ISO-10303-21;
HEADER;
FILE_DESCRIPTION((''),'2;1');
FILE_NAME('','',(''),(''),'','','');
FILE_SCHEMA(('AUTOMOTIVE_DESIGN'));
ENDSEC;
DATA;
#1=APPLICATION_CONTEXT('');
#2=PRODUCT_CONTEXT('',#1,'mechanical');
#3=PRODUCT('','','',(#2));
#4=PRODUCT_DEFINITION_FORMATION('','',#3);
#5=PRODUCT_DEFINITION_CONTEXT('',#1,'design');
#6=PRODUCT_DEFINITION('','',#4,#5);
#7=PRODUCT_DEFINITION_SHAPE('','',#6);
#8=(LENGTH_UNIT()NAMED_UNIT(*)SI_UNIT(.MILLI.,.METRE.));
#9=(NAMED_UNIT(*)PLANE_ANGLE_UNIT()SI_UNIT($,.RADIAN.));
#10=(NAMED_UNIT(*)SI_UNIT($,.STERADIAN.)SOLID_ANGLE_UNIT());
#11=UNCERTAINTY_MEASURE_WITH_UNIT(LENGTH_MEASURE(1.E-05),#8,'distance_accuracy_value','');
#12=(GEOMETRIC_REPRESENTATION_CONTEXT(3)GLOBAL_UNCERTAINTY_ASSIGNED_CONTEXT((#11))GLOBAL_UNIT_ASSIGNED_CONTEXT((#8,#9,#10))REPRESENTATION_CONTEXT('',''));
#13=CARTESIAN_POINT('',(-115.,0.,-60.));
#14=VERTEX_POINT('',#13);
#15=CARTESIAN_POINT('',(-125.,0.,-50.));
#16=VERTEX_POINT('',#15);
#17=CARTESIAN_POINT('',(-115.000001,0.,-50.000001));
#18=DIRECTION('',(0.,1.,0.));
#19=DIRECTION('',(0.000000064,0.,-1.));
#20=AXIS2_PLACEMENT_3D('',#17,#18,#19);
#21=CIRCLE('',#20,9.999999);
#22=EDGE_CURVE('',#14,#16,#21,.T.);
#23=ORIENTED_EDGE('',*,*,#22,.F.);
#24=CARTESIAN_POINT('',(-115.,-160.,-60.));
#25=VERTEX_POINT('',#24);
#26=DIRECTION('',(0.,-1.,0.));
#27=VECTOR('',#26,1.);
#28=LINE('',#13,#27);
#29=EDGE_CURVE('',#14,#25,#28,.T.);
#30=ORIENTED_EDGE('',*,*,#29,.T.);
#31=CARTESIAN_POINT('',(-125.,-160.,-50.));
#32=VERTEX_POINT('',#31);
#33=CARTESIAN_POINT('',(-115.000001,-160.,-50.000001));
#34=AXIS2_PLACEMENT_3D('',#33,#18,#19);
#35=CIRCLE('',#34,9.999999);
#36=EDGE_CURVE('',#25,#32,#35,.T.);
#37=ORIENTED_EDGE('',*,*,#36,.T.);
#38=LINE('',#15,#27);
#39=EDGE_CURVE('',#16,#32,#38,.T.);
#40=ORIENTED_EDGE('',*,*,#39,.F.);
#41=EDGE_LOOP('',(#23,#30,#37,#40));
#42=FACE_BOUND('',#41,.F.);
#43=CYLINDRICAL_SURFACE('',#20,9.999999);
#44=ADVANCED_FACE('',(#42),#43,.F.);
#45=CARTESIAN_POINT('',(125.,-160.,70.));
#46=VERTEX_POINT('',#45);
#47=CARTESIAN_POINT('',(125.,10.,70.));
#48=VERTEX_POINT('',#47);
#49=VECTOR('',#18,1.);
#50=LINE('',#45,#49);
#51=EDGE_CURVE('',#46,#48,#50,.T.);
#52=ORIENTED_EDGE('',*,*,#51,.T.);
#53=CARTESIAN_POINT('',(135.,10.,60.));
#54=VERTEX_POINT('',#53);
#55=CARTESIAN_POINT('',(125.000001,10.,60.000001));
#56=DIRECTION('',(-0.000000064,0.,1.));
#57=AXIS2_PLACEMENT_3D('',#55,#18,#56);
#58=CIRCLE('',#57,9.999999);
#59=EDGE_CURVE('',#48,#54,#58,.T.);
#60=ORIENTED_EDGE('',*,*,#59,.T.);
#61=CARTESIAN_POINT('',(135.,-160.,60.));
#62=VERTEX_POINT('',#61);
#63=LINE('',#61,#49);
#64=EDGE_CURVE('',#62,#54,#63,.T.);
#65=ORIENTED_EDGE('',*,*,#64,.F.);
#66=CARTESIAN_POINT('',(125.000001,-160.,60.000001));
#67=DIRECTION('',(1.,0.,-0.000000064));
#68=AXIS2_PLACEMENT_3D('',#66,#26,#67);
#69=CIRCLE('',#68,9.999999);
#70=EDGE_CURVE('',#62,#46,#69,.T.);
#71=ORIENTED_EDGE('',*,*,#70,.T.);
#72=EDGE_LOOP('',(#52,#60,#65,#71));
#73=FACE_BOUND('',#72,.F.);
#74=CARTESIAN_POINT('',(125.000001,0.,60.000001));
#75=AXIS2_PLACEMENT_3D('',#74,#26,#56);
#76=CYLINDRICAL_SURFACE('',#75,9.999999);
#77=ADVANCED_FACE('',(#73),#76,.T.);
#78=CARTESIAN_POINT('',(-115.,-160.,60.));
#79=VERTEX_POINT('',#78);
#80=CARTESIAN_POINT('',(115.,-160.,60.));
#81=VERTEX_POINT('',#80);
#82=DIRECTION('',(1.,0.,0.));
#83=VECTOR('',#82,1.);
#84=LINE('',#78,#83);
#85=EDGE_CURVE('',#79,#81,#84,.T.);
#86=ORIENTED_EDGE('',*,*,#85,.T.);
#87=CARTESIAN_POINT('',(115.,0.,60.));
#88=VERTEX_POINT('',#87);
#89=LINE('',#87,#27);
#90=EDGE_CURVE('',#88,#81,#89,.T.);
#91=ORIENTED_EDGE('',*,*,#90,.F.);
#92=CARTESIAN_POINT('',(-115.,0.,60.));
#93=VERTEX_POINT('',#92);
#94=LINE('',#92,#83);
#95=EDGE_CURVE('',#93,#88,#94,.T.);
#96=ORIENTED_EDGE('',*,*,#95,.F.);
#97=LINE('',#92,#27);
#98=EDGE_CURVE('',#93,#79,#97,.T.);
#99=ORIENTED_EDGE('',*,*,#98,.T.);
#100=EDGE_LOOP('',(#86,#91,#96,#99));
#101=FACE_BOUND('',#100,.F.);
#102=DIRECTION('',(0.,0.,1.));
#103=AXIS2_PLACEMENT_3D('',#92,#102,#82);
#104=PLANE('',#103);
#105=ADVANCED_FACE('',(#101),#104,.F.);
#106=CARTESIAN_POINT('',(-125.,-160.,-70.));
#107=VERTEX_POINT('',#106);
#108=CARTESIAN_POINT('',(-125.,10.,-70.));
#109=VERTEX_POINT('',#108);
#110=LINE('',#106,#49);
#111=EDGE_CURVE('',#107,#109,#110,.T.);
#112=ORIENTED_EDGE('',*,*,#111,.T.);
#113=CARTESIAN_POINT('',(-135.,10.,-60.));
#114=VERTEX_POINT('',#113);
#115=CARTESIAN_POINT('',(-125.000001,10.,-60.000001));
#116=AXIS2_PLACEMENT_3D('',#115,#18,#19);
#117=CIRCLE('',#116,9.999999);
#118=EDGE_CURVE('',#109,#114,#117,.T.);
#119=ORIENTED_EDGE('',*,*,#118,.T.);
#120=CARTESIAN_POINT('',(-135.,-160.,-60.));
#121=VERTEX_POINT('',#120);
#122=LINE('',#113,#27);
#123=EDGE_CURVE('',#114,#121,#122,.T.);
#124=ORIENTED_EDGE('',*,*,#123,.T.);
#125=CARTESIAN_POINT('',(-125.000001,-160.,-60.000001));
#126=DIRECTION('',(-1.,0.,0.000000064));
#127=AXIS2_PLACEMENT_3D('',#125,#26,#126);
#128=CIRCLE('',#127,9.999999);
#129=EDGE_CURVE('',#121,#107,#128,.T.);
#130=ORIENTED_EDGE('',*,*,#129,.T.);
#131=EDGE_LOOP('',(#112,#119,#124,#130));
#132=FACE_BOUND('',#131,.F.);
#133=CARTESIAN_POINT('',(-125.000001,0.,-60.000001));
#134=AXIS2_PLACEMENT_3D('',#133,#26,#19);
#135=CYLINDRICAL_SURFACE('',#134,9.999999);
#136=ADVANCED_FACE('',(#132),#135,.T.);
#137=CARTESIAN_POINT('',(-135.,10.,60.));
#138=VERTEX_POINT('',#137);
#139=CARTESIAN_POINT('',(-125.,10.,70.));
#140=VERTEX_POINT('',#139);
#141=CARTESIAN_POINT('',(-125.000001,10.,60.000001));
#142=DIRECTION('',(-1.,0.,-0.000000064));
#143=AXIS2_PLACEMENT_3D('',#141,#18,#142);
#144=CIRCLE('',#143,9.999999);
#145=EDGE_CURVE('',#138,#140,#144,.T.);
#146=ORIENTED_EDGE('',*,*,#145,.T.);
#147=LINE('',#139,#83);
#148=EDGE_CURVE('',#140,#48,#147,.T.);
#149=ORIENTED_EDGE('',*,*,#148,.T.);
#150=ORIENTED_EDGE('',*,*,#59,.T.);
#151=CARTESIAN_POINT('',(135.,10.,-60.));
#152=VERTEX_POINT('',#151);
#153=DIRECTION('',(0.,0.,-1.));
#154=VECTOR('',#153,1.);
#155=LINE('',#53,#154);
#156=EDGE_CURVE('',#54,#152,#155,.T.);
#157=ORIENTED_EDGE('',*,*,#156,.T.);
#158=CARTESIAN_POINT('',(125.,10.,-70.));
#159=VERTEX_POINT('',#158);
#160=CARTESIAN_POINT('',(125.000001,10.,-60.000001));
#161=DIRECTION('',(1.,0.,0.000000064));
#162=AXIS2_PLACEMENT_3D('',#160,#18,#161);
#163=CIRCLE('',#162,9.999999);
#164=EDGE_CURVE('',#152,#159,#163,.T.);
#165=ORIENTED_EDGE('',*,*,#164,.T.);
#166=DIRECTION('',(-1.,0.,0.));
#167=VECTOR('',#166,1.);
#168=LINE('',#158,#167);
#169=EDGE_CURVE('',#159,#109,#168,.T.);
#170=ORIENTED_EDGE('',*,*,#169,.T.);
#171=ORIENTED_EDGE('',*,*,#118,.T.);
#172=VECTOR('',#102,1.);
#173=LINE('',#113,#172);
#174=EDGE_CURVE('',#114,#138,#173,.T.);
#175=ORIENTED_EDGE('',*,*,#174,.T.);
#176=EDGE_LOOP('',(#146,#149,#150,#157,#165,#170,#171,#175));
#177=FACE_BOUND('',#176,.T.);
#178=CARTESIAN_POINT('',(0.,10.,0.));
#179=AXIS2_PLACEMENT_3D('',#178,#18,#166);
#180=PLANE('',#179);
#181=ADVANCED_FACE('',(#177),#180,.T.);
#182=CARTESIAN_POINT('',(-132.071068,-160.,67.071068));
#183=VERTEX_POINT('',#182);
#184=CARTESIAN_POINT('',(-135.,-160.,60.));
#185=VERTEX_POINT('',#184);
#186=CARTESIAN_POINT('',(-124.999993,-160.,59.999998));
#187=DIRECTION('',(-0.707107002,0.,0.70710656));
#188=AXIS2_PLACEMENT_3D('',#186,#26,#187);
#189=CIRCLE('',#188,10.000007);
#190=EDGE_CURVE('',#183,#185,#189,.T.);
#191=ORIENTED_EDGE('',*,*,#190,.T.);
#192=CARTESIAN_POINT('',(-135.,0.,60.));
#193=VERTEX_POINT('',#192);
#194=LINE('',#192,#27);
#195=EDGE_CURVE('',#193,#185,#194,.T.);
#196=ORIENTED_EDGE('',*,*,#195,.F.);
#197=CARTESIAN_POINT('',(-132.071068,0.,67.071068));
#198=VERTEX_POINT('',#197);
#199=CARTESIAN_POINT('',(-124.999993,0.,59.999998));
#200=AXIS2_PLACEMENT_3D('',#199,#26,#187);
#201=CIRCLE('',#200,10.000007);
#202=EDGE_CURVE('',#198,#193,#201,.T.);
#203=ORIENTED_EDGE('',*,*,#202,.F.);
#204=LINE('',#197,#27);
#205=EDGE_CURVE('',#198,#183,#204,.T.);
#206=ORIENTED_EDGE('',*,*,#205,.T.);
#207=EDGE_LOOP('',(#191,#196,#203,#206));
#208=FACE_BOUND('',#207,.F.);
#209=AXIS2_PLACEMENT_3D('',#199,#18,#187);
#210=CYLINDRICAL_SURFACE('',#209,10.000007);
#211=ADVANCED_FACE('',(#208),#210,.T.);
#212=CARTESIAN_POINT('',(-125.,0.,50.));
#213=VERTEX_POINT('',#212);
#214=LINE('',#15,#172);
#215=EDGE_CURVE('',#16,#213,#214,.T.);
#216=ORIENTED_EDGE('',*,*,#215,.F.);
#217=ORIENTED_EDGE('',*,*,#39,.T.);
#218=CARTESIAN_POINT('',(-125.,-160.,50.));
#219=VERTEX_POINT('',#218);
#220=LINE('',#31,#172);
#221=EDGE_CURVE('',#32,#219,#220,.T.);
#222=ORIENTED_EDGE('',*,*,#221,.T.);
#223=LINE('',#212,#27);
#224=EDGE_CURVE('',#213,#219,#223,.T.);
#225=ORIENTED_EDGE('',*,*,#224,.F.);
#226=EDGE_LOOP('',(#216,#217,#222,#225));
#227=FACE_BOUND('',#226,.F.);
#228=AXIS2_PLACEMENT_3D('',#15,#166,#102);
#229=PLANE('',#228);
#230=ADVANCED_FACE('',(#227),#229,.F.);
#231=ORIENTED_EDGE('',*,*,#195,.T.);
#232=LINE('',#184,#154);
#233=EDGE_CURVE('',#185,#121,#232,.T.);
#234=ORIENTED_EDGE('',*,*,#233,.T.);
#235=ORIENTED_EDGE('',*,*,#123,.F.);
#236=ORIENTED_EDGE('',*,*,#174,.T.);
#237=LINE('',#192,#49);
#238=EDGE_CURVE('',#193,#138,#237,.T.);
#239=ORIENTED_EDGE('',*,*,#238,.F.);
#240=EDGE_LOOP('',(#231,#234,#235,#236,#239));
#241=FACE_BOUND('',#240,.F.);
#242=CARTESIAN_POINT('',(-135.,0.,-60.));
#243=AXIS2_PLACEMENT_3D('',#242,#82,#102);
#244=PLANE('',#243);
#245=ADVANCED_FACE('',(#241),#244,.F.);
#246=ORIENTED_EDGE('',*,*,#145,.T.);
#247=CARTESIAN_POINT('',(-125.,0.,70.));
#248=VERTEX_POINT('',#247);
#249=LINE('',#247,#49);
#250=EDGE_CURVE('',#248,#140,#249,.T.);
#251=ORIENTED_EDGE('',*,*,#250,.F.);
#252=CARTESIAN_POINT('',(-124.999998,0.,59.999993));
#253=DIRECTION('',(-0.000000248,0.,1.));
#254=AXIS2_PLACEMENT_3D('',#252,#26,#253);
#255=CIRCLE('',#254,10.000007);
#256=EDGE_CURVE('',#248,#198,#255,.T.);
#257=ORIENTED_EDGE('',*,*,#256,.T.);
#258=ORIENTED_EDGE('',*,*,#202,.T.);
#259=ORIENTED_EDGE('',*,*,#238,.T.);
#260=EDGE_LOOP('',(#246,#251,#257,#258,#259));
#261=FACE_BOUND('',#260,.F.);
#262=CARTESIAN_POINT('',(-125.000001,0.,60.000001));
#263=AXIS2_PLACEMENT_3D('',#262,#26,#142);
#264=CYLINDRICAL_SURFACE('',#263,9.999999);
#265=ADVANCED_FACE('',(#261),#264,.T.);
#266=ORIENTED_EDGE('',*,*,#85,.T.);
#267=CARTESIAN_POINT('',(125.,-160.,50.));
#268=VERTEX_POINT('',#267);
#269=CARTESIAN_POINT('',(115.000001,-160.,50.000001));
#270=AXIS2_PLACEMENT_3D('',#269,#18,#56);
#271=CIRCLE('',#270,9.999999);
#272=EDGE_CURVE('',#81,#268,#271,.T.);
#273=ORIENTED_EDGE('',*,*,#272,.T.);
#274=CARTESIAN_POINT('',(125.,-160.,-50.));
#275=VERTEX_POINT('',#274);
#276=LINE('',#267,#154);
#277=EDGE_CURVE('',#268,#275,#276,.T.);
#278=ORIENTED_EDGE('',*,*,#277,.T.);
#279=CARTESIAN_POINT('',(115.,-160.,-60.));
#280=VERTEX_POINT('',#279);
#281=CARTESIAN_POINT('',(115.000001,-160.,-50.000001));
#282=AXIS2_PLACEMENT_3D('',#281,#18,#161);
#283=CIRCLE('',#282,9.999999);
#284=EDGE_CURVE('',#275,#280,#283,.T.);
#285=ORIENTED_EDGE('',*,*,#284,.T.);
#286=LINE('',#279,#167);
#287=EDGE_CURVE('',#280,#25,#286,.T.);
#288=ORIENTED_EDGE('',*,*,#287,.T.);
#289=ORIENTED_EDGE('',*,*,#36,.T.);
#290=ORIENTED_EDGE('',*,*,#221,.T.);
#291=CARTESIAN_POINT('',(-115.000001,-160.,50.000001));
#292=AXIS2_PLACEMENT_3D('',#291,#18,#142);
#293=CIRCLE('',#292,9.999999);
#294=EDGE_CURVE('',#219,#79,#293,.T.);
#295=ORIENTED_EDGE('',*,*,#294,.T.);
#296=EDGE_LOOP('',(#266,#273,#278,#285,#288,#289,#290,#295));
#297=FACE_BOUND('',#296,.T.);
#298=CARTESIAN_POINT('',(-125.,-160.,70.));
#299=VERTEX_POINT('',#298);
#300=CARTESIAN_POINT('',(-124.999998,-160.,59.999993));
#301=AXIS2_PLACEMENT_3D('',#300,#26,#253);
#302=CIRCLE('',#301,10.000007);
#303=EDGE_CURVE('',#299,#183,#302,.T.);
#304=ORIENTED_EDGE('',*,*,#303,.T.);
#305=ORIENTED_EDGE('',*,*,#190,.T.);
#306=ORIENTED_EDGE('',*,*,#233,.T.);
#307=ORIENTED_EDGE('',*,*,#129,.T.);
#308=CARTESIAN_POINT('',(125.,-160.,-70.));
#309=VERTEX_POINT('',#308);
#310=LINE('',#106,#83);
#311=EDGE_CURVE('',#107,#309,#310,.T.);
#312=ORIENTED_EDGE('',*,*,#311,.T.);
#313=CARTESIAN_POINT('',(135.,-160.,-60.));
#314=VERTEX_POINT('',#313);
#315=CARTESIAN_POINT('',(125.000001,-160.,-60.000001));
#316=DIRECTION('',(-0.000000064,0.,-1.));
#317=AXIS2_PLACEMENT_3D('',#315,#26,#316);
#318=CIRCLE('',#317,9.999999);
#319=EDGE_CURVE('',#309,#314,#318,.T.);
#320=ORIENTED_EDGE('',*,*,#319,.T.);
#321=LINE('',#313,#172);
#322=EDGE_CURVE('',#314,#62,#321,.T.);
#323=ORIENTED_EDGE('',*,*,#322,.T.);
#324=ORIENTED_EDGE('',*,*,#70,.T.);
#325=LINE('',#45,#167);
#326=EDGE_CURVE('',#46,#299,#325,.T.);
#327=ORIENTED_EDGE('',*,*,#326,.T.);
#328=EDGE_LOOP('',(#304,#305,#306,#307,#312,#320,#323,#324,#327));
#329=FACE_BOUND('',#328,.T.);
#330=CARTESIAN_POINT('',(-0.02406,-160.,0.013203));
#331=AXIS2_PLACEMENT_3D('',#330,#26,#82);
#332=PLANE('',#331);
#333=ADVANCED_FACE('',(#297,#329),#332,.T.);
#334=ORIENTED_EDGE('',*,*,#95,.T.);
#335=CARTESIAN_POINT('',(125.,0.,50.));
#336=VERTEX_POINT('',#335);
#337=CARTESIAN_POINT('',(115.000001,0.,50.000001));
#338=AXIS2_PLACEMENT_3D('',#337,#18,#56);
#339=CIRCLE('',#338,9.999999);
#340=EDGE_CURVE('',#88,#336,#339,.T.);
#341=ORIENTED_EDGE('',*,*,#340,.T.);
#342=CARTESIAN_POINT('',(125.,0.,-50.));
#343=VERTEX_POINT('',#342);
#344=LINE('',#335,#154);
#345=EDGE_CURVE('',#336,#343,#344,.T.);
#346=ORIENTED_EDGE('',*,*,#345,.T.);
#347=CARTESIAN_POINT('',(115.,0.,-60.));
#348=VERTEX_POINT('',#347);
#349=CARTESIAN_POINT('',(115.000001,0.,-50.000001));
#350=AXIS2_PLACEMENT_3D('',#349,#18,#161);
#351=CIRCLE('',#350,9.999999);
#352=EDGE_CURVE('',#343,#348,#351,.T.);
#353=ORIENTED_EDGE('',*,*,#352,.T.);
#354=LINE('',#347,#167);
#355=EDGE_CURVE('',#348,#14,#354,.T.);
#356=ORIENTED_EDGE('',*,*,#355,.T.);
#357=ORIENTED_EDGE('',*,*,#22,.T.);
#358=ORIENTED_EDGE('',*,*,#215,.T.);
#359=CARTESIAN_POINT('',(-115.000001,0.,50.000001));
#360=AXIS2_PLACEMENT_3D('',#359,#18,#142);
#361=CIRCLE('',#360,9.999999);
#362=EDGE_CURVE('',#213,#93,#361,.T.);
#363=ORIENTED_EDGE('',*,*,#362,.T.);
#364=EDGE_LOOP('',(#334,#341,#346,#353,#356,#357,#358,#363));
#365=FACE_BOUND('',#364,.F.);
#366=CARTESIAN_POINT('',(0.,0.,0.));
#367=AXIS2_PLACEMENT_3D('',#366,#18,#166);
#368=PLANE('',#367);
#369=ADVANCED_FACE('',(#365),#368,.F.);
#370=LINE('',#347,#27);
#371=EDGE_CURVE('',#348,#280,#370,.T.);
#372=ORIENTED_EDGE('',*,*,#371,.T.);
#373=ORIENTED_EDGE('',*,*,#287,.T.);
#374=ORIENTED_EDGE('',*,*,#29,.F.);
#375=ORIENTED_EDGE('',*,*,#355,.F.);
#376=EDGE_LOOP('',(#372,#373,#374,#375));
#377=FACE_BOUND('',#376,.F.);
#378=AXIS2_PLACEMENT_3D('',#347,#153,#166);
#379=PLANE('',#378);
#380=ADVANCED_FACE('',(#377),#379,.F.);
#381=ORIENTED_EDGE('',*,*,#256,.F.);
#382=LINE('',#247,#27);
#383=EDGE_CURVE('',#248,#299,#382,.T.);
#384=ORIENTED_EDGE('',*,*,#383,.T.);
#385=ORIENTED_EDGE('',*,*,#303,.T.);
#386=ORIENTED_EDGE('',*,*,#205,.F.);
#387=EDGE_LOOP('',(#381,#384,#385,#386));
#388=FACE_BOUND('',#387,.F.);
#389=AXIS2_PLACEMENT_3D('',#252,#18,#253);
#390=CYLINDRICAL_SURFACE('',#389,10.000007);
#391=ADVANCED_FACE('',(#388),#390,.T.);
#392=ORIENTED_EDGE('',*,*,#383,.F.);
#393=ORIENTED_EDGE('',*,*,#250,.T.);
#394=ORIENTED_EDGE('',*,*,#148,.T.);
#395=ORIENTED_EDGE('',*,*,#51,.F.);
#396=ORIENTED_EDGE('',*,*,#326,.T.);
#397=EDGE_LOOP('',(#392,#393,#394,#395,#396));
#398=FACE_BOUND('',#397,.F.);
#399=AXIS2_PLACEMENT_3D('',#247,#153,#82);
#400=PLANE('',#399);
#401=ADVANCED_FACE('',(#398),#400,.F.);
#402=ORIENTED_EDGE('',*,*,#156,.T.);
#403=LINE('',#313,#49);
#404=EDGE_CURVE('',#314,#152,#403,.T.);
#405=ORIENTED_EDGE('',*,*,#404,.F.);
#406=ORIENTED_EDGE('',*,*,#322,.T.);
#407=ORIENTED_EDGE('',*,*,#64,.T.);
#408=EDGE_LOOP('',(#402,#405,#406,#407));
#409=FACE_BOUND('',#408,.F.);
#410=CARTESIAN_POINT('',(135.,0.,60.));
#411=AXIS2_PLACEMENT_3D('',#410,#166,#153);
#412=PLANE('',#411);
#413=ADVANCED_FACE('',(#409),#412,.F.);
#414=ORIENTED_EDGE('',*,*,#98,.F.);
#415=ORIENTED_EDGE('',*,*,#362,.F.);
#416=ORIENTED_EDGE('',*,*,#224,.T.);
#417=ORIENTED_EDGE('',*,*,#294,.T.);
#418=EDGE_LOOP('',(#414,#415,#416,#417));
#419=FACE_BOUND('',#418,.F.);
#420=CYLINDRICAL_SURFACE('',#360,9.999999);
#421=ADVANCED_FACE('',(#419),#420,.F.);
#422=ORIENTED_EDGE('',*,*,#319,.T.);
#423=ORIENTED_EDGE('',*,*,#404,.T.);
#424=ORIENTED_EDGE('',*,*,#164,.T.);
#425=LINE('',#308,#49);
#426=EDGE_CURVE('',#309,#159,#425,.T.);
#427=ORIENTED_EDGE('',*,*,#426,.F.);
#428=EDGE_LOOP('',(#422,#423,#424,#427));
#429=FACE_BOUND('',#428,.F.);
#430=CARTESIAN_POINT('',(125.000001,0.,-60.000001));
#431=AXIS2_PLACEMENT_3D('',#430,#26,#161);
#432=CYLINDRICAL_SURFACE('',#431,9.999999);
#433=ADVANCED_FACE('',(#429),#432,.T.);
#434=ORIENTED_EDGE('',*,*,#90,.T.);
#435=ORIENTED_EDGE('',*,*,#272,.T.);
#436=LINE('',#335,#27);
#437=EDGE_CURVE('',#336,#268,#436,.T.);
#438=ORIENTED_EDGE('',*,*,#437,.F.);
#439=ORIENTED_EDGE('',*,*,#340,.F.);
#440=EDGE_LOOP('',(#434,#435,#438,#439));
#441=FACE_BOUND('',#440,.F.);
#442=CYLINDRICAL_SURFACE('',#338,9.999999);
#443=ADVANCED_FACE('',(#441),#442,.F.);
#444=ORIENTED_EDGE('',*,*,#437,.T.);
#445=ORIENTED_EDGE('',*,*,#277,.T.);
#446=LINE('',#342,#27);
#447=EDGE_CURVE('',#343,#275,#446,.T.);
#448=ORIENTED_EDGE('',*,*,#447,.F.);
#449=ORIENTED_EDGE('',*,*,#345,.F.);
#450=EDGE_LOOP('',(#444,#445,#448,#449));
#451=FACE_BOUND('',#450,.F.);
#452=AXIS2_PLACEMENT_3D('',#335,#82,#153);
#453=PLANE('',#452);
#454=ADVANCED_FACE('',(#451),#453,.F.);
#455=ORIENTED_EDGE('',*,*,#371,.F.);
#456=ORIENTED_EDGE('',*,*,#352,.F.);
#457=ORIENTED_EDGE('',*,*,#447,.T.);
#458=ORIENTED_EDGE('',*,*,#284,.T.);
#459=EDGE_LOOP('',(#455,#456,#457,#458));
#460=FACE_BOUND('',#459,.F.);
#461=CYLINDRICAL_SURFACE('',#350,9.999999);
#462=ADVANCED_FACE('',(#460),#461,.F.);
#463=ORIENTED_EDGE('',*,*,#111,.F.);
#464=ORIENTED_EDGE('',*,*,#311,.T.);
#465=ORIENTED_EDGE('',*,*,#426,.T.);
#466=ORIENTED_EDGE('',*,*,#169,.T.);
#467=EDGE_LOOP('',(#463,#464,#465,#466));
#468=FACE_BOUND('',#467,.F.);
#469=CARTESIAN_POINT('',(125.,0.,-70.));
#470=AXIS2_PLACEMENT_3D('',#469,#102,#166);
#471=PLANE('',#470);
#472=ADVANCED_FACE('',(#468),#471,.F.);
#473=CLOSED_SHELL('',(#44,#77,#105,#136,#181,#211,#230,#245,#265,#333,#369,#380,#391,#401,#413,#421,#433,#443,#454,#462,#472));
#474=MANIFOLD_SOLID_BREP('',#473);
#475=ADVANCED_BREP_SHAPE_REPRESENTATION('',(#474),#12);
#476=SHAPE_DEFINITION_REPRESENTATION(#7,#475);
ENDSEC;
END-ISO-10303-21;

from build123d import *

# Parameters (mm, degrees)
F1_DEPTH = 160
F3_DEPTH = 10


with BuildPart() as f1:
    # F0 (on Front) → F1 (new body)
    with BuildSketch(Plane.XZ):
        with BuildLine():
            Line((125, 70), (-125, 70))
            ThreePointArc((-125, 70), (-128.826834, 69.238795), (-132.071068, 67.071068))
            ThreePointArc((-132.071068, 67.071068), (-134.238795, 63.826834), (-135, 60))
            Line((-135, 60), (-135, -60))
            ThreePointArc((-135, -60), (-132.071068, -67.071068), (-125, -70))
            Line((-125, -70), (125, -70))
            ThreePointArc((125, -70), (132.071068, -67.071068), (135, -60))
            Line((135, -60), (135, 60))
            ThreePointArc((135, 60), (132.071068, 67.071068), (125, 70))
        make_face()
        with BuildLine():
            ThreePointArc((-115, -60), (-122.071068, -57.071068), (-125, -50))
            Line((-125, -50), (-125, 50))
            ThreePointArc((-125, 50), (-122.071068, 57.071068), (-115, 60))
            Line((-115, 60), (115, 60))
            ThreePointArc((115, 60), (122.071068, 57.071068), (125, 50))
            Line((125, 50), (125, -50))
            ThreePointArc((125, -50), (122.071068, -57.071068), (115, -60))
            Line((115, -60), (-115, -60))
        make_face(mode=Mode.SUBTRACT)
    extrude(amount=F1_DEPTH)

    # F2 (on face) → F3 (join)
    with BuildSketch(Plane(origin=(0, 0, 0), x_dir=(-1, 0, 0), z_dir=(0, 1, 0))):
        with BuildLine():
            Line((125, 70), (-125, 70))
            ThreePointArc((-125, 70), (-132.071068, 67.071068), (-135, 60))
            Line((-135, 60), (-135, -60))
            ThreePointArc((-135, -60), (-132.071068, -67.071068), (-125, -70))
            Line((-125, -70), (125, -70))
            ThreePointArc((125, -70), (132.071068, -67.071068), (135, -60))
            Line((135, -60), (135, 60))
            ThreePointArc((135, 60), (132.071068, 67.071068), (125, 70))
        make_face()
    extrude(amount=F3_DEPTH)


solid = f1.part
